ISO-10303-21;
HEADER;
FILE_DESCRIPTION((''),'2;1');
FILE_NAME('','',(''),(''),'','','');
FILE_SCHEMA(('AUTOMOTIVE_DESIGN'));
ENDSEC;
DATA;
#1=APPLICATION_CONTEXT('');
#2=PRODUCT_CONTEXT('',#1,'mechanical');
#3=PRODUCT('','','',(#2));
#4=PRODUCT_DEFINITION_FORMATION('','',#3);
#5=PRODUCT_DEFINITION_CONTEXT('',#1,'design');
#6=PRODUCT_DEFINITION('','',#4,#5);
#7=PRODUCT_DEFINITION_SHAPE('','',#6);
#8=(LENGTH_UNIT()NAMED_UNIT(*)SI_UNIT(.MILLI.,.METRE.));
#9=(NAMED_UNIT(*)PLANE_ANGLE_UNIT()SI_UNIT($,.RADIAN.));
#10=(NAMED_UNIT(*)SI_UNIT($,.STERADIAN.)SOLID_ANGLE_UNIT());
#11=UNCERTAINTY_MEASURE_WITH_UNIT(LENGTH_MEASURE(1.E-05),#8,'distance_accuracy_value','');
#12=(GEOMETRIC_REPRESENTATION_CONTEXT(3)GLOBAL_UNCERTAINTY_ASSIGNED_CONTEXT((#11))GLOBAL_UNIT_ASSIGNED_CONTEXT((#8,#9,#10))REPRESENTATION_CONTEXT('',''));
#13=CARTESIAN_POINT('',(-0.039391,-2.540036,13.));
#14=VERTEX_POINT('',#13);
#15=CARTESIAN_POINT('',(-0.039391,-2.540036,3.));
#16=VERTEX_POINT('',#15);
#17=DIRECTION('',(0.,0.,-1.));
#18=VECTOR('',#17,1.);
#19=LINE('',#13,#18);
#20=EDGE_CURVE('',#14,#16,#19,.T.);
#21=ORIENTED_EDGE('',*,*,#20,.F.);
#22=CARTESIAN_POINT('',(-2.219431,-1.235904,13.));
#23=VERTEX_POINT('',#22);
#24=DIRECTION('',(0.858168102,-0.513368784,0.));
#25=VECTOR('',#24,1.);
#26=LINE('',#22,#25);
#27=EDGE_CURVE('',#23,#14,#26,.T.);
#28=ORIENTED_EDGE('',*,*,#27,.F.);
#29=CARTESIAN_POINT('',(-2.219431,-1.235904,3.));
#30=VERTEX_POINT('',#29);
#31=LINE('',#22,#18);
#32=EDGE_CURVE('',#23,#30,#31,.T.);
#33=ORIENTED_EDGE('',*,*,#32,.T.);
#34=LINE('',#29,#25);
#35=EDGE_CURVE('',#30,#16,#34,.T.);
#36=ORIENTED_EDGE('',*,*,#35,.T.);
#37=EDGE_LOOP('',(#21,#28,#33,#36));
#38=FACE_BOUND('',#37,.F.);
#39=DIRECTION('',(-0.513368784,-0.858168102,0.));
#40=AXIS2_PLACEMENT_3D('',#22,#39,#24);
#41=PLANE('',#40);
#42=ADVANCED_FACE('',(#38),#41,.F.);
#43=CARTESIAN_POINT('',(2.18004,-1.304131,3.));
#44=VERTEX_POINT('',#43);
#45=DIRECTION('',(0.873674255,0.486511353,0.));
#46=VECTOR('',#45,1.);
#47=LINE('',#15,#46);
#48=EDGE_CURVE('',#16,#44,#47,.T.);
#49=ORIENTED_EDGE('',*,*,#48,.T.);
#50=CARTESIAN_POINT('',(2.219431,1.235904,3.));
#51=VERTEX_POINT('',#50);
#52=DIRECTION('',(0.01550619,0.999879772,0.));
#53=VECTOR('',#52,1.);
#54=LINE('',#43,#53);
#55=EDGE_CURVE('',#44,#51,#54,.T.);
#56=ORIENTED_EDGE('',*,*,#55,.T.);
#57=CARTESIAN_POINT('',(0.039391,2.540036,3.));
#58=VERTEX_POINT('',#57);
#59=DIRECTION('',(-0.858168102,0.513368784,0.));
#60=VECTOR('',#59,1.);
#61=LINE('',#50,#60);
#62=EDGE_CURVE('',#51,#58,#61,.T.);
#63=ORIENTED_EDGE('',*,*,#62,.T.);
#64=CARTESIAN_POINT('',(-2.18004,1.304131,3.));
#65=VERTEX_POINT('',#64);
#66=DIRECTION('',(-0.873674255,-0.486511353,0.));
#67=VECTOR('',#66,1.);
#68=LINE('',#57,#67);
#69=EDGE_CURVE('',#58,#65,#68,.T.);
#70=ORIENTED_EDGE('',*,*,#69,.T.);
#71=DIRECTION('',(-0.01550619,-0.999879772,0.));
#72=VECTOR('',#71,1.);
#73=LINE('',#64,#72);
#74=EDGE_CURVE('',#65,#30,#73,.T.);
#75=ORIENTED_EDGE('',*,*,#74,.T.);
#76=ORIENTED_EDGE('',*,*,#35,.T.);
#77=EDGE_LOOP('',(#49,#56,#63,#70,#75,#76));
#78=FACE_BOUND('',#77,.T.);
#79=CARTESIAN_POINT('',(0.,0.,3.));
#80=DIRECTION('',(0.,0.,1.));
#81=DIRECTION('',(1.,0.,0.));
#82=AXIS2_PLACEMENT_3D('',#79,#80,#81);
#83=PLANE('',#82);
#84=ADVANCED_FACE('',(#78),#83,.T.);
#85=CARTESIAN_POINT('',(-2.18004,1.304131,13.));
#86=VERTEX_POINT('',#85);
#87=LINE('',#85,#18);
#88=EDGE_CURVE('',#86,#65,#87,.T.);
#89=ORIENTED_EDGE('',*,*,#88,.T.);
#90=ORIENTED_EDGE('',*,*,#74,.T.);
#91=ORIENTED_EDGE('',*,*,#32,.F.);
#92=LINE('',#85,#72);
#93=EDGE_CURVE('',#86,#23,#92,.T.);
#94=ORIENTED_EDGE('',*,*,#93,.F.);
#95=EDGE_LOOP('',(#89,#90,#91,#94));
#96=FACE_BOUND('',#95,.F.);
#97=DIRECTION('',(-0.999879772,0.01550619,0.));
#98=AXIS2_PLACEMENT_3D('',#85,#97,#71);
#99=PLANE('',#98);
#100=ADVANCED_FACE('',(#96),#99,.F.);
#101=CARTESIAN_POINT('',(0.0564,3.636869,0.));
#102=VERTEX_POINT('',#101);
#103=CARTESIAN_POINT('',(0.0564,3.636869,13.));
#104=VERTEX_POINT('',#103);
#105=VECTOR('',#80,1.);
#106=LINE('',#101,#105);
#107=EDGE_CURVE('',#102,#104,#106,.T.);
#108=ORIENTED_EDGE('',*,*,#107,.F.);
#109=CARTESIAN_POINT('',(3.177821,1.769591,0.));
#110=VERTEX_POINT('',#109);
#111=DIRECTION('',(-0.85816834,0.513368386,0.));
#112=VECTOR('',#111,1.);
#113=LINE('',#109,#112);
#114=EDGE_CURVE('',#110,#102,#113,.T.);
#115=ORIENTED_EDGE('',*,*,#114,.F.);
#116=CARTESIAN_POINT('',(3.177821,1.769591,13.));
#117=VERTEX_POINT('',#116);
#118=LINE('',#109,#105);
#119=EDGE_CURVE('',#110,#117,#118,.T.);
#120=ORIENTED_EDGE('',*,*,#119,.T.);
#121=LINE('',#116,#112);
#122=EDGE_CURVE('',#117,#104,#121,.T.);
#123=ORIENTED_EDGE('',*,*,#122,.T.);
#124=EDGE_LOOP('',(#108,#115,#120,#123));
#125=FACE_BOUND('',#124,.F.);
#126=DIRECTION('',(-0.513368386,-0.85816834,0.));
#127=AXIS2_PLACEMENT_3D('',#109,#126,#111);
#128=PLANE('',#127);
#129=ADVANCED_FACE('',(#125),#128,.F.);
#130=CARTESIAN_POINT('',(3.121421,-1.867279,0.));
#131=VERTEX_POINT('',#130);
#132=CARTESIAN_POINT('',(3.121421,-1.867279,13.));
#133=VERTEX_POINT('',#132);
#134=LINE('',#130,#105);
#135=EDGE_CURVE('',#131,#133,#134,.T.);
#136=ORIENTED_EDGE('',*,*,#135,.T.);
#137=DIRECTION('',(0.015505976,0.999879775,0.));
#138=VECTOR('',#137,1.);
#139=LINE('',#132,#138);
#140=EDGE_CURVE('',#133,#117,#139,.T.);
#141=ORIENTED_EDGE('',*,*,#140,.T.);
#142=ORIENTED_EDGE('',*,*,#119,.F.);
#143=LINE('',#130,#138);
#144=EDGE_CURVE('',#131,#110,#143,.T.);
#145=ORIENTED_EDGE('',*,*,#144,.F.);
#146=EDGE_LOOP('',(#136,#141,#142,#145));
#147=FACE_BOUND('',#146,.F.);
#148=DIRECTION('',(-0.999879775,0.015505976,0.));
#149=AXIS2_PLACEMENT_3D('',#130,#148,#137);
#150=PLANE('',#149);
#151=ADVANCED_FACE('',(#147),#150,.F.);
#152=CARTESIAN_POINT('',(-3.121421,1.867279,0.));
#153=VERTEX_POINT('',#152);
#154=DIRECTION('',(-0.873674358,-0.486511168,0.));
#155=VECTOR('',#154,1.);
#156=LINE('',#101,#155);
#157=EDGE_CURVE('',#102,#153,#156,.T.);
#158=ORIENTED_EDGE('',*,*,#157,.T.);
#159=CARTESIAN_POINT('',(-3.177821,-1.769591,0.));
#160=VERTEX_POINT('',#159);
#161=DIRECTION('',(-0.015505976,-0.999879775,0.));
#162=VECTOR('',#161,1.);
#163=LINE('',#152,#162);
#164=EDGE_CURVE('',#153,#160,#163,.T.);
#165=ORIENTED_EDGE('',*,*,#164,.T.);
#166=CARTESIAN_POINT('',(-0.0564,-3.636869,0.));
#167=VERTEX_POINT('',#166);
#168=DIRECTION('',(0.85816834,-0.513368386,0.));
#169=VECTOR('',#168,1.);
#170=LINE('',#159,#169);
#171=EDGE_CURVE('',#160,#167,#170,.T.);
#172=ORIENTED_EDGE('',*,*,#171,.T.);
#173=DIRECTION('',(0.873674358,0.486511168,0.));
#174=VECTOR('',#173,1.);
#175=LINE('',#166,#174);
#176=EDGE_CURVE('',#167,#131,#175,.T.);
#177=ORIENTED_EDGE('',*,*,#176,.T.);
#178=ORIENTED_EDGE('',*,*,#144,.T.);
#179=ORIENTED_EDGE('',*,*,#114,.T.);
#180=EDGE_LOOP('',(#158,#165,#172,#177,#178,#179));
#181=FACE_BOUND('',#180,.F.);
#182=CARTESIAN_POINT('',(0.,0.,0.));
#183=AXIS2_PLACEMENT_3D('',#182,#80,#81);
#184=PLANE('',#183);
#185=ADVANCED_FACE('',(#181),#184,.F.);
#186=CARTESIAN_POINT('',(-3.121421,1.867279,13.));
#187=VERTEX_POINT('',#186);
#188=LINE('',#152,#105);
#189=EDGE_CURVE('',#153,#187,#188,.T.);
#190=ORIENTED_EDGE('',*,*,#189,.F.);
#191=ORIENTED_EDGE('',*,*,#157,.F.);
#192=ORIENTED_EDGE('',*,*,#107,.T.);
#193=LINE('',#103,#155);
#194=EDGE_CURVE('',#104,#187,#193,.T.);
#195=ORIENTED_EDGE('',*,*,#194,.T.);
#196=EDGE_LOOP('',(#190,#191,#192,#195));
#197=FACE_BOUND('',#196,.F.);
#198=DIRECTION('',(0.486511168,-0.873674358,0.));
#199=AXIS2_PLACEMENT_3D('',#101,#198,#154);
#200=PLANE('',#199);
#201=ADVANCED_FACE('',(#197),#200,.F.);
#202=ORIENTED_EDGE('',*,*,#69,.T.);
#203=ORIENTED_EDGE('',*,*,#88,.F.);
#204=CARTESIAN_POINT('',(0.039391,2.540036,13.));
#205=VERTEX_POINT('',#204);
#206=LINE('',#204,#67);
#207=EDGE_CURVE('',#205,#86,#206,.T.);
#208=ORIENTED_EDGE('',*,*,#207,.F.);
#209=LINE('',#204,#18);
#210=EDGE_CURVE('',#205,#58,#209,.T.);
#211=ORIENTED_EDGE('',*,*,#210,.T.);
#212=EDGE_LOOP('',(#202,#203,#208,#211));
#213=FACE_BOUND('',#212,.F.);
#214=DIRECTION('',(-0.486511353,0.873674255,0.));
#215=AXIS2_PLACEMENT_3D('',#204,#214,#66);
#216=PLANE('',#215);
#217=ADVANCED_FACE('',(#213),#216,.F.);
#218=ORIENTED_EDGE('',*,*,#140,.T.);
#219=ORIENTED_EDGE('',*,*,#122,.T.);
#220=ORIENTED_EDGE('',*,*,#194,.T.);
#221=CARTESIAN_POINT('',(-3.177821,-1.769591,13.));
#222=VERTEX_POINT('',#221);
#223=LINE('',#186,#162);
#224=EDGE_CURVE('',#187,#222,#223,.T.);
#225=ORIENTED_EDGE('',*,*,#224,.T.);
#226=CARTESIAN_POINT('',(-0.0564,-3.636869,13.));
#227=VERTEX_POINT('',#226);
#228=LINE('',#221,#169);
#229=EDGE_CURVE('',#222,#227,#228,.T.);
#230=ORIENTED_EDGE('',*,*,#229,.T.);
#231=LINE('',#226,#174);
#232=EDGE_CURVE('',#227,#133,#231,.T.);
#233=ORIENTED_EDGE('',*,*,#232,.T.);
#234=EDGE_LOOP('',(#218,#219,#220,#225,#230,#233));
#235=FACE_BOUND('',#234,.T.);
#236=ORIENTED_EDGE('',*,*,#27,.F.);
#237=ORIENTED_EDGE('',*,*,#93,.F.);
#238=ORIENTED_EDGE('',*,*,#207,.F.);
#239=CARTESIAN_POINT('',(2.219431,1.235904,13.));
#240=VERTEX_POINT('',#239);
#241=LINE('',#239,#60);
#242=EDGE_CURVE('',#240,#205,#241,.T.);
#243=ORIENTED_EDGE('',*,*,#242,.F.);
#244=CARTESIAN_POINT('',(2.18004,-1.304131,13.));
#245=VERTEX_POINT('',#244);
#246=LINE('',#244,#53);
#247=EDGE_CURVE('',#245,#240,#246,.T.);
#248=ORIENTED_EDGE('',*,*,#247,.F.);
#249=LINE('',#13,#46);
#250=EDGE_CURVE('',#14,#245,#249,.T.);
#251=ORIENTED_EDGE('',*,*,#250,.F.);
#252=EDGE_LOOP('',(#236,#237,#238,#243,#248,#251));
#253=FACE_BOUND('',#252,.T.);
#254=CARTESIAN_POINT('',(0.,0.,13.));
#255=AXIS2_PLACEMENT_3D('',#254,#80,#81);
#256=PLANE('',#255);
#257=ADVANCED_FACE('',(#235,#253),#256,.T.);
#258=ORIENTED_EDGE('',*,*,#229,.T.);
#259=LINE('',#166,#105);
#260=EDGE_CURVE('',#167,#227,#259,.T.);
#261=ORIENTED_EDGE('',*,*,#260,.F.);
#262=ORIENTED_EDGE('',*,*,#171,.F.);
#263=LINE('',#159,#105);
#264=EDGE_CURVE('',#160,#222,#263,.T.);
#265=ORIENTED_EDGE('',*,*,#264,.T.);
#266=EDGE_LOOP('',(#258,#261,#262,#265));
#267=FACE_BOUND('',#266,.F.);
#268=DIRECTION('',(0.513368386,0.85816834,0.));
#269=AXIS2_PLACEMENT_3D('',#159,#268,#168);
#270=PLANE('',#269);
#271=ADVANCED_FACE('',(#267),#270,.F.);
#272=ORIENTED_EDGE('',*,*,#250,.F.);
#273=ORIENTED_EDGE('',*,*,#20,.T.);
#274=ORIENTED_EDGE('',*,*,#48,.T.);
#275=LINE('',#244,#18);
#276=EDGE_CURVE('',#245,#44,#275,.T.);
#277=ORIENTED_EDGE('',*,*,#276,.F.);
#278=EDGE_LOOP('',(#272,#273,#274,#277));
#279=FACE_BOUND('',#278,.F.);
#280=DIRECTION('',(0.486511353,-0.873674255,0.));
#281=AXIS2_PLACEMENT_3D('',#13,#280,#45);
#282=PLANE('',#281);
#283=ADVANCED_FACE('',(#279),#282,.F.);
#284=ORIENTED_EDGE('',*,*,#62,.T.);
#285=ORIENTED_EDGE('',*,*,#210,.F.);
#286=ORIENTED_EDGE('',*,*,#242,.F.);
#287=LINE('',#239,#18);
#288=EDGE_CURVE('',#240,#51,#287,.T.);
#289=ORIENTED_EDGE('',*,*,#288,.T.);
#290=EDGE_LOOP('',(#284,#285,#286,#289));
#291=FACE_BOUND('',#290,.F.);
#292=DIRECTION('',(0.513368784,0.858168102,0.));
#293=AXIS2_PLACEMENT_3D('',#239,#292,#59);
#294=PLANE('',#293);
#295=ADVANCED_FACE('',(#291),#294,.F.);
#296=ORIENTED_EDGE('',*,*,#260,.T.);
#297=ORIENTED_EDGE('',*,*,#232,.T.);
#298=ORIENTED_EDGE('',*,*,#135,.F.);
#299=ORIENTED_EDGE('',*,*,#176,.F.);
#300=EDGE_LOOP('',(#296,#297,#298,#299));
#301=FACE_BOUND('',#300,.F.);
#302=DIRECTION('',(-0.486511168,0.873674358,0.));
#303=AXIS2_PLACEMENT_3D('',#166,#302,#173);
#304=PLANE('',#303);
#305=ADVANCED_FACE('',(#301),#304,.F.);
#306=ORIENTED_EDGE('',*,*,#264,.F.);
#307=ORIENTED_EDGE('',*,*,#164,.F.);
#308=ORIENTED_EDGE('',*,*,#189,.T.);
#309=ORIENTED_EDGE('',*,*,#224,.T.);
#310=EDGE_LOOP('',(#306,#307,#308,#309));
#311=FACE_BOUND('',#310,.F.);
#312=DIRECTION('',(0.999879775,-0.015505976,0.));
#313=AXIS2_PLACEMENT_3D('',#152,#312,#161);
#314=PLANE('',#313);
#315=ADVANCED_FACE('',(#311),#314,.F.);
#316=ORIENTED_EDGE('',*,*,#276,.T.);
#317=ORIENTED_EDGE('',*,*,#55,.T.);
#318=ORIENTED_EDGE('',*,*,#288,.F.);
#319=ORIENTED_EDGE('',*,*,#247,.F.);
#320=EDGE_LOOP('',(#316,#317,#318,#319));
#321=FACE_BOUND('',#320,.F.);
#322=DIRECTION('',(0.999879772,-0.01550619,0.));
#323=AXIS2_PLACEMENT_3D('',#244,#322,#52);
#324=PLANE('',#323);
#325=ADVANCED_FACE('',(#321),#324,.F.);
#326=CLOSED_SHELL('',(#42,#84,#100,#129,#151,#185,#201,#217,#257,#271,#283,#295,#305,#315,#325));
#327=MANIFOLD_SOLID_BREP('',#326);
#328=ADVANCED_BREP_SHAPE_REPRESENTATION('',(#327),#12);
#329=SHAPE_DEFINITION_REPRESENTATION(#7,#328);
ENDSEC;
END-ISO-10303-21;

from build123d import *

# Parameters (mm, degrees)
F1_DEPTH = 13
F3_DEPTH = 10


with BuildPart() as f1:
    # F0 (on Top) → F1 (new body)
    with BuildSketch(Plane.XY):
        Polygon((0.0564, 3.636869), (-3.121421, 1.867279), (-3.177821, -1.769591), (-0.0564, -3.636869), (3.121421, -1.867279), (3.177821, 1.769591), align=None)
    extrude(amount=F1_DEPTH)

    # F2 (on face) → F3 (cut)
    with BuildSketch(Plane.XY.offset(13)):
        Polygon((2.219431, 1.235904), (0.039391, 2.540036), (-2.18004, 1.304131), (-2.219431, -1.235904), (-0.039391, -2.540036), (2.18004, -1.304131), align=None)
    extrude(amount=-F3_DEPTH, mode=Mode.SUBTRACT)


solid = f1.part
